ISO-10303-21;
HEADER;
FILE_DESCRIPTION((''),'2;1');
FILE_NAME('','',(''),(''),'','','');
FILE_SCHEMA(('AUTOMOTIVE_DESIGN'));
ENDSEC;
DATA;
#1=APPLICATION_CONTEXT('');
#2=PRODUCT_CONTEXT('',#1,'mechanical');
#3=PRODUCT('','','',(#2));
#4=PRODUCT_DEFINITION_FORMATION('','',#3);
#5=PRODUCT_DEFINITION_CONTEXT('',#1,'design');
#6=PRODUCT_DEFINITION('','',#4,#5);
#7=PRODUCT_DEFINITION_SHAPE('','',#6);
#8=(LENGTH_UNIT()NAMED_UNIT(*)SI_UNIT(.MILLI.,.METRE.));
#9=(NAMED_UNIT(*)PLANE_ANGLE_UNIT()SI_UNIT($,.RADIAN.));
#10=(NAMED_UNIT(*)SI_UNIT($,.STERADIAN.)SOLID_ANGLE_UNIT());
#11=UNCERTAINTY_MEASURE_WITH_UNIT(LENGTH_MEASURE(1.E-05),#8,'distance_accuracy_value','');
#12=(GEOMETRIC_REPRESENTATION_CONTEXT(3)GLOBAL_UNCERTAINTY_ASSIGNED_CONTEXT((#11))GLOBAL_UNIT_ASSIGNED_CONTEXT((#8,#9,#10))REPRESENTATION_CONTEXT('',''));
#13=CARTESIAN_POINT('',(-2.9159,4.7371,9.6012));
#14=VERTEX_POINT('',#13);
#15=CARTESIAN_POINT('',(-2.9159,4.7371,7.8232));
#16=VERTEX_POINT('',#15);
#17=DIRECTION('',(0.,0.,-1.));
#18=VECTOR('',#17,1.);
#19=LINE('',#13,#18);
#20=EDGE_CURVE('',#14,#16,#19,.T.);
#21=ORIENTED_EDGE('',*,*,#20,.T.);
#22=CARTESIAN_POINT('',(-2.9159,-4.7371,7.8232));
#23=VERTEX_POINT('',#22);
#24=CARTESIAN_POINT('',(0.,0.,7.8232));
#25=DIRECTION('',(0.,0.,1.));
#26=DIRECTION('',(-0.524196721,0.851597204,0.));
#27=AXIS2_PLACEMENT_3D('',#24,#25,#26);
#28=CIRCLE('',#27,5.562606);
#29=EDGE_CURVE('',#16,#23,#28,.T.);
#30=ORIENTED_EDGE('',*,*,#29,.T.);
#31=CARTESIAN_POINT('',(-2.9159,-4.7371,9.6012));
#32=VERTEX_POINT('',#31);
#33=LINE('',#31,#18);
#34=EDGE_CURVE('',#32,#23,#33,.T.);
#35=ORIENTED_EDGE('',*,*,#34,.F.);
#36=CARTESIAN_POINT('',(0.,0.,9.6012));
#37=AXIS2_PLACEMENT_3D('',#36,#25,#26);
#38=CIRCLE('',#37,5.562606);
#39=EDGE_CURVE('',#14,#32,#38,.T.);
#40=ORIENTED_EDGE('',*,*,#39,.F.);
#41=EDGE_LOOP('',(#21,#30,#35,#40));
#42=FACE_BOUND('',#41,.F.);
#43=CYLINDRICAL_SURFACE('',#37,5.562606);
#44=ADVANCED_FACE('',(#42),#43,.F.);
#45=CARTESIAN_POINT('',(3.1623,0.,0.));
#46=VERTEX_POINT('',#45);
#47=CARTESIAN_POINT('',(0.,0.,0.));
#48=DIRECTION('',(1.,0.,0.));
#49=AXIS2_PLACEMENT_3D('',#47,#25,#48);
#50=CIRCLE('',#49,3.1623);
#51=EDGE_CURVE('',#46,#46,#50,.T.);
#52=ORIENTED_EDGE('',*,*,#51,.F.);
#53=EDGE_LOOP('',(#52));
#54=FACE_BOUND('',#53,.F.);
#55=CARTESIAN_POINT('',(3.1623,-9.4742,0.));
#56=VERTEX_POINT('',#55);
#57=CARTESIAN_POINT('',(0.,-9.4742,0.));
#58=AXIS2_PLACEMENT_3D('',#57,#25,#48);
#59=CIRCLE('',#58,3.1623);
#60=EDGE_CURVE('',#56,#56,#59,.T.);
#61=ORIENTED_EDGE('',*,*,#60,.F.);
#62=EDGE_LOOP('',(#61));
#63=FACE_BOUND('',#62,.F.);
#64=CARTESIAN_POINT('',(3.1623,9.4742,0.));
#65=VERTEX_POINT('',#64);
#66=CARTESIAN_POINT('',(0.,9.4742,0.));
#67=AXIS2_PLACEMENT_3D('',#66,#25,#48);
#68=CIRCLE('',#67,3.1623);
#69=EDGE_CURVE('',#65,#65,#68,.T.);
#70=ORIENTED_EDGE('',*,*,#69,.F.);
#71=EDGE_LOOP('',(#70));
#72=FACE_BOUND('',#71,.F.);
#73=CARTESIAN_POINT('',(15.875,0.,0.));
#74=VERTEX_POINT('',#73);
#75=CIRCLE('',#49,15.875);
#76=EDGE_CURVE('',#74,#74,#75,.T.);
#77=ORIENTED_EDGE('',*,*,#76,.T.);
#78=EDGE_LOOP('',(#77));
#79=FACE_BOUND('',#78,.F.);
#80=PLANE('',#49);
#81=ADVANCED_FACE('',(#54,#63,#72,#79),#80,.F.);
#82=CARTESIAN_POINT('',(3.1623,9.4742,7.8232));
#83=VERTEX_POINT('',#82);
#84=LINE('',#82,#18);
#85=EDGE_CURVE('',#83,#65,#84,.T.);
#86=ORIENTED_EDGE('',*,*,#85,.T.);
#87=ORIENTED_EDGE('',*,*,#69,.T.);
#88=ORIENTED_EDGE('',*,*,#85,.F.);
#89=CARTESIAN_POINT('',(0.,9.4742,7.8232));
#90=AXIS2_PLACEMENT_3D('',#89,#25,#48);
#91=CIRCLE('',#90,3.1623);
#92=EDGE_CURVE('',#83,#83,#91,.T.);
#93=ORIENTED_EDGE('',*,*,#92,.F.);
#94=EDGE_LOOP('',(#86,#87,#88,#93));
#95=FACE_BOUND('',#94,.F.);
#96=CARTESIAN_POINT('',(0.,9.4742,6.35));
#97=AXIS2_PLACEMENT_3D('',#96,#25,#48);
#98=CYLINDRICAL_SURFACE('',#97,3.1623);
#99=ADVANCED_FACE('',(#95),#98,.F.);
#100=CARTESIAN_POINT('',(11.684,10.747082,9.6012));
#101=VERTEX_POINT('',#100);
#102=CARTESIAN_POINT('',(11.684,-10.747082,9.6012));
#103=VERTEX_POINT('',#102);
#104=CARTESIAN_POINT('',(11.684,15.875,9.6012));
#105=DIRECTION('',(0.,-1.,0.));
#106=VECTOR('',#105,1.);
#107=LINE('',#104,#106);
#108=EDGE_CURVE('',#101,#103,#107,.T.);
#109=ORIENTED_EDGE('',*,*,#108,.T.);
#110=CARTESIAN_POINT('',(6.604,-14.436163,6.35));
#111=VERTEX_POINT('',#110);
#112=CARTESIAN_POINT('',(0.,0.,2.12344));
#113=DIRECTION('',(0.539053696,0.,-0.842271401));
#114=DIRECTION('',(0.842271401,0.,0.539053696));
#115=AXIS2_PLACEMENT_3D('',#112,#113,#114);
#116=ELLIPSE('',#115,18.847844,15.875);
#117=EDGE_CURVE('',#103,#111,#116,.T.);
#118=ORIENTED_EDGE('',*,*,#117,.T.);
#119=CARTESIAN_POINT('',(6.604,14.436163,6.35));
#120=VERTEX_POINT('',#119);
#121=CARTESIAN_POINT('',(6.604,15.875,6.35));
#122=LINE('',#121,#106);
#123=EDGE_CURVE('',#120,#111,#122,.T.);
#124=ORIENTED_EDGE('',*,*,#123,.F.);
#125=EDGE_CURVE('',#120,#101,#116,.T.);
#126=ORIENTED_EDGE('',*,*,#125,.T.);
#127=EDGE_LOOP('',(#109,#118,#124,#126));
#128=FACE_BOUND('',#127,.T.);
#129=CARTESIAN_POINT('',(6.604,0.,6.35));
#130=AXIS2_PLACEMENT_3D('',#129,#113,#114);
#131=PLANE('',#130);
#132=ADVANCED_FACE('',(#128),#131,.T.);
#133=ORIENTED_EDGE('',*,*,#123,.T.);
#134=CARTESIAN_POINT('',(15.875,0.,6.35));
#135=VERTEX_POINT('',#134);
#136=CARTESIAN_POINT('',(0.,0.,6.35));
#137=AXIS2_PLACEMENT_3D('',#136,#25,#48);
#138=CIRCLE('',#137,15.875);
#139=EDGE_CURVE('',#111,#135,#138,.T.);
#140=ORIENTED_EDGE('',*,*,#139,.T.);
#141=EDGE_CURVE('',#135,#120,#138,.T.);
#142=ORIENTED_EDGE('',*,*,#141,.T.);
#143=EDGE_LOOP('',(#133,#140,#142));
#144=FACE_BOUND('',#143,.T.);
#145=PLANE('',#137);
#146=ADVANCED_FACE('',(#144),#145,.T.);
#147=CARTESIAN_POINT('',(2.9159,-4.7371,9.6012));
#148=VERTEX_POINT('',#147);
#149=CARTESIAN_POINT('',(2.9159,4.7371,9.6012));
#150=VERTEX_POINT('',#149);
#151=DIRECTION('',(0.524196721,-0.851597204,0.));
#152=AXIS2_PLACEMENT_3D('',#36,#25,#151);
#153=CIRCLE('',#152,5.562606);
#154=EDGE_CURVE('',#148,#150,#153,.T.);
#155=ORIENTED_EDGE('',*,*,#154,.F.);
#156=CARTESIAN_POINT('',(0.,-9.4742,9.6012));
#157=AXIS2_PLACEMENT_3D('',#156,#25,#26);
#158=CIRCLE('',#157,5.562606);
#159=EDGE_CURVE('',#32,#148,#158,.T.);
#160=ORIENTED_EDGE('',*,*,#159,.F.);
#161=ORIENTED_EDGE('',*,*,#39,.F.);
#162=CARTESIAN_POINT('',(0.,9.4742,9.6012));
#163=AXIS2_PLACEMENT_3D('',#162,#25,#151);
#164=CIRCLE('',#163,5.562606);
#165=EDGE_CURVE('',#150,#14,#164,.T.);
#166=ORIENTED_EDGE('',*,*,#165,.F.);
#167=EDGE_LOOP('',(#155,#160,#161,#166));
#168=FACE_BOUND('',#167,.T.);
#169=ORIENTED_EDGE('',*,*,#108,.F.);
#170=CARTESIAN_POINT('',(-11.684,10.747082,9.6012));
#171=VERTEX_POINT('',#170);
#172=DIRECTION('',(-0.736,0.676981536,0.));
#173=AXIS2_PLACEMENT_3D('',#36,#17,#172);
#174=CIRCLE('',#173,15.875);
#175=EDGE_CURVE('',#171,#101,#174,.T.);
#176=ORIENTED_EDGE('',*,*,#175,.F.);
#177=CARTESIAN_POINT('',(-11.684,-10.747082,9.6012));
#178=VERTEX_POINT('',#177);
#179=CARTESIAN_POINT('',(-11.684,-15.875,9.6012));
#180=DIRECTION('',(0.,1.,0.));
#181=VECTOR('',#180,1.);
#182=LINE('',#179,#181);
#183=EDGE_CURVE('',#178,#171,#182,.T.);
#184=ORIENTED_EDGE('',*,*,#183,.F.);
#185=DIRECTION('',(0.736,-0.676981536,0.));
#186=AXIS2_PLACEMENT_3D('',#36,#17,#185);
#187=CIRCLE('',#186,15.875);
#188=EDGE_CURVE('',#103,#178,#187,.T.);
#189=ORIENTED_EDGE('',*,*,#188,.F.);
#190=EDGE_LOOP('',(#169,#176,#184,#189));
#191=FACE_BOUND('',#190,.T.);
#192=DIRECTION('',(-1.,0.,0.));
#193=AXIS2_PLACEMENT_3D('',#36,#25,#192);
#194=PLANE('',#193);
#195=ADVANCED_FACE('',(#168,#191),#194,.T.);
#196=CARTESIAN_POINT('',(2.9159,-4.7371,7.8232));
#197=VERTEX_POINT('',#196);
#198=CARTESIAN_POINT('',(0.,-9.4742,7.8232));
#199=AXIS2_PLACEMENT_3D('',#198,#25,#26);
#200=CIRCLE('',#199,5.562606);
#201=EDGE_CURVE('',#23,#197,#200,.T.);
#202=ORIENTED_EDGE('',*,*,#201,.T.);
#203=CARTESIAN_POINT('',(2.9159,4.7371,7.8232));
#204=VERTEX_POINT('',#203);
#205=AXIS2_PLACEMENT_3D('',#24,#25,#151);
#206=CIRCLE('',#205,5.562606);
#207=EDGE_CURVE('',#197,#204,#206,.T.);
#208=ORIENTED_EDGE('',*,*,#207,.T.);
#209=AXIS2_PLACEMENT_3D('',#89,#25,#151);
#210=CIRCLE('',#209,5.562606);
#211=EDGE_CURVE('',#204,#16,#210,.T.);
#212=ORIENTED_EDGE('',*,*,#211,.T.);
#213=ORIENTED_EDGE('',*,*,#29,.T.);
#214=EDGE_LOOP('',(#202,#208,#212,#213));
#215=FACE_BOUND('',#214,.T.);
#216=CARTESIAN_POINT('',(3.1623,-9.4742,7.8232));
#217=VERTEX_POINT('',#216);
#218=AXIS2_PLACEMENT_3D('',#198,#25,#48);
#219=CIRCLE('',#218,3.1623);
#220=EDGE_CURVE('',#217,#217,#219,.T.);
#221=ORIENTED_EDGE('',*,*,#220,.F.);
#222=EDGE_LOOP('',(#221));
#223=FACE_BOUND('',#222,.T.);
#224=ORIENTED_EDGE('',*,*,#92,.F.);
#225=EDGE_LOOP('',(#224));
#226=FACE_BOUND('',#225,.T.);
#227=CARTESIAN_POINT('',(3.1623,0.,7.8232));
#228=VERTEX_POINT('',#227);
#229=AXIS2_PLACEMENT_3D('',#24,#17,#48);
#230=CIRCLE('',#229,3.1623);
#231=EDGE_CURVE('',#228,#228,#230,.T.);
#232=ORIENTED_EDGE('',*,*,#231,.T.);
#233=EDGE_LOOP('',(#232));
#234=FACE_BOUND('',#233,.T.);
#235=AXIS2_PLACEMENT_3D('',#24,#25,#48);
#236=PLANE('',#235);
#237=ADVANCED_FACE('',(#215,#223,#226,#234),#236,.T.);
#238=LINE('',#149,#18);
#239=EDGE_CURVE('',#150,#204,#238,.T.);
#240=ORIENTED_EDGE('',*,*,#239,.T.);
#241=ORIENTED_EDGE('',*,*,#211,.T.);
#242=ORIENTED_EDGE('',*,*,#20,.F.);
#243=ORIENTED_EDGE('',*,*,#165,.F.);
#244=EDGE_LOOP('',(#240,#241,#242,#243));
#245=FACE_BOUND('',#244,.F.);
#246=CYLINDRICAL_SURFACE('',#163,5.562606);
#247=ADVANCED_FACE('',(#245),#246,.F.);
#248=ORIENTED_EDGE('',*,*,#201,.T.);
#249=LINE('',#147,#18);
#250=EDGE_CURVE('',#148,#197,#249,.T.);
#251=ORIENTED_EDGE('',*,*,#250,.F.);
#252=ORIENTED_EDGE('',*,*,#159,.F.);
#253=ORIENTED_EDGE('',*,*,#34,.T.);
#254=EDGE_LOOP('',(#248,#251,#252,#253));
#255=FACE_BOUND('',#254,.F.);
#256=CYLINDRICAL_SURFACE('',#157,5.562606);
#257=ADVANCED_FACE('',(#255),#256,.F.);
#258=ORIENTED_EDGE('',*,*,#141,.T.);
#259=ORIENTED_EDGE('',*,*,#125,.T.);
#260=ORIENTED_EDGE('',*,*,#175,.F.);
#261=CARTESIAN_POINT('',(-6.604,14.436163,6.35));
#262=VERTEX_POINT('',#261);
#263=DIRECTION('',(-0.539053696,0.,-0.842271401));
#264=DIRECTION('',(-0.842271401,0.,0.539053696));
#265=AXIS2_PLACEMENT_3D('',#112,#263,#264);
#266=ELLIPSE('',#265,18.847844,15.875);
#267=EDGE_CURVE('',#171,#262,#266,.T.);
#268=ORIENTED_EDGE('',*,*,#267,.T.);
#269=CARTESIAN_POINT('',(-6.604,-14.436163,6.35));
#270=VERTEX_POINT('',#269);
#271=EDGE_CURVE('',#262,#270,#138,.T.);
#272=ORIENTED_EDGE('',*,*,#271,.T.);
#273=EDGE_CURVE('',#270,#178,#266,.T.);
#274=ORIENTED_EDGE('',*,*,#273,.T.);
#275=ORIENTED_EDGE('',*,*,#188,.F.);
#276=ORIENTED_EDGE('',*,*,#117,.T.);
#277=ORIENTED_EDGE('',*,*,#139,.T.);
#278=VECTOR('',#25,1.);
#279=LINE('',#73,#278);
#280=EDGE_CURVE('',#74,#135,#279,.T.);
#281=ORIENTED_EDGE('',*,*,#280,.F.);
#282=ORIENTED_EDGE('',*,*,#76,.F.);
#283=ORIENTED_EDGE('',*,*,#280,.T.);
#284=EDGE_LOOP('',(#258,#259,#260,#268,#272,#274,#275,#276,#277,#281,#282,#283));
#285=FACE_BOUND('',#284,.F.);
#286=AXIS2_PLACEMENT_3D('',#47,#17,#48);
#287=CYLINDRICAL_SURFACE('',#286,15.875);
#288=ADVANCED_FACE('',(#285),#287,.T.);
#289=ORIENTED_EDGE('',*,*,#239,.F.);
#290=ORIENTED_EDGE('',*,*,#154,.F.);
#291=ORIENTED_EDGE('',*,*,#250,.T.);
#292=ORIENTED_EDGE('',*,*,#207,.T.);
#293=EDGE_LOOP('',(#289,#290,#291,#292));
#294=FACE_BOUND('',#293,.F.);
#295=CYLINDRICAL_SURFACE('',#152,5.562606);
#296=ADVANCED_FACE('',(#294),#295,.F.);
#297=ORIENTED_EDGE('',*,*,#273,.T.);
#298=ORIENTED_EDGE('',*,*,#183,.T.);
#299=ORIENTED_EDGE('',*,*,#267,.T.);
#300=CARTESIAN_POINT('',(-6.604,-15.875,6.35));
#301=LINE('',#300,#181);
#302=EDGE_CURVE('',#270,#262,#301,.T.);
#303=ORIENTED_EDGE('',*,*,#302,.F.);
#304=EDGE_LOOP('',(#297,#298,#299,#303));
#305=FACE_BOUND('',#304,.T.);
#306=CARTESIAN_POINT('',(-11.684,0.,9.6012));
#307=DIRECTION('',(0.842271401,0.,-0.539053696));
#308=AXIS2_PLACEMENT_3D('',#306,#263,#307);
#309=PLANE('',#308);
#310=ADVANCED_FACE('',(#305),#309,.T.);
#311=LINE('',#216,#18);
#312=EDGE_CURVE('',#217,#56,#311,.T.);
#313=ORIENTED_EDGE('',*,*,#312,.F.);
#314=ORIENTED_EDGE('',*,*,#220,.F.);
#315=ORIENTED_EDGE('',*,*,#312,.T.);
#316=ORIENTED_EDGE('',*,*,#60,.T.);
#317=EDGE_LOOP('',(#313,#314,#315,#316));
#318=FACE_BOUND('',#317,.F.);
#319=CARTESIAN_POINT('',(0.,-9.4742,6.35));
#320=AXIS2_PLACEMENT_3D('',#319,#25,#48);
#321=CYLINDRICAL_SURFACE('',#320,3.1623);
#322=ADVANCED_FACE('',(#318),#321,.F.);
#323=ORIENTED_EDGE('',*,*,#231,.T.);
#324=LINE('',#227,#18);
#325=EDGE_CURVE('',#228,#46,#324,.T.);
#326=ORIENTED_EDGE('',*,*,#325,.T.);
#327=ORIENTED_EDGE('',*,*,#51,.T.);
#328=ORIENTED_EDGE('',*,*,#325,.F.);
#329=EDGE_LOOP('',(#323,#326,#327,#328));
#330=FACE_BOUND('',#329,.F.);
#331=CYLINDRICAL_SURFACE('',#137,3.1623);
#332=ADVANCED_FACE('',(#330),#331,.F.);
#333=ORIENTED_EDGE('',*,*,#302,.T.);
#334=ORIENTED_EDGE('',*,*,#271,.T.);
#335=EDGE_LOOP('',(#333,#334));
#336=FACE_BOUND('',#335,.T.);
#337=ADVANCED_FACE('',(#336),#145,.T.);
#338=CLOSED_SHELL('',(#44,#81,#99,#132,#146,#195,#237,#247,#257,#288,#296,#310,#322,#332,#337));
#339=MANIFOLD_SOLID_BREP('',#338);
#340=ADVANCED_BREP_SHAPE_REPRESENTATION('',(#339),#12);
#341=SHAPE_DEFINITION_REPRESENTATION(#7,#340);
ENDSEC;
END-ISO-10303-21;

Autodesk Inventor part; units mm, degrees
ref_plane "YZ Plane" through (0, 0, 0) normal (1, 0, 0) x (0, 1, 0)
ref_plane "XZ Plane" through (0, 0, 0) normal (0, 1, 0) x (-1, 0, 0)
ref_plane "XY Plane" through (0, 0, 0) normal (0, 0, 1) x (1, 0, 0)
sketch "Sketch1" plane through (0, 0, 0) normal (0, 0, 1) x (1, 0, 0)
  circle A0 centre (0, 0) radius 15.875
  dimension "d0" = 31.75
extrude "Extrusion1" add sketch "Sketch1" along normal blind 6.35
sketch "Sketch2" plane through (0, 0, 0) normal (0, 1, 0) x (-1, 0, 0)
  line L0 (15.875, 6.35) -> (-15.875, 6.35) projected
  line L1 (0, 6.35) -> (-6.604, 6.35)
  line L2 (0, 6.35) -> (6.604, 6.35)
  line L3 (0, 9.6012) -> (-11.684, 9.6012)
  line L4 (0, 9.6012) -> (11.684, 9.6012)
  line L5 (11.684, 9.6012) -> (6.604, 6.35)
  line L6 (-6.604, 6.35) -> (-11.684, 9.6012)
  line L7 (0, 6.35) -> (0, 9.6012)
  point P0 (0, 0)
  dimension "d8" = 13.208
  dimension "d9" = 3.2512
  dimension "d10" = 23.368
  dimension "d29" = 11.684
  dimension "d30" = 6.604
extrude "Extrusion2" add sketch "Sketch2" along normal mid plane 31.75
sketch "Sketch3" plane through (-11.684, 15.875, 9.6012) normal (0, 0, 1) x (1, 0, 0)
  circle A0 centre (11.684, -15.875) radius 15.875
  line L0 (0, -31.75) -> (0, 0) projected
  circle A1 centre (11.684, -15.875) radius 19.7112
extrude "Extrusion3" cut sketch "Sketch3" against normal blind 3.2512 contours A0 L0 A1 | A0 L0 A1
sketch "Sketch4" plane through (0, 0, 6.35) normal (0, 0, 1) x (1, 0, 0)
  circle A0 centre (0, 0) radius 3.1623
  circle A1 centre (0, 9.4742) radius 3.1623
  circle A2 centre (0, -9.4742) radius 3.1623
  dimension "d15" = 6.3246
  dimension "d16" = 6.3246
  dimension "d17" = 6.3246
  dimension "d18" = 9.4742
  dimension "d19" = 9.4742
extrude "Extrusion4" cut sketch "Sketch4" along normal through all both and the other way through all
sketch "Sketch5" plane through (0, 0, 9.6012) normal (0, 0, 1) x (1, 0, 0)
  circle A0 centre (0, 9.4742) radius 3.1623 projected
  arc A1 (2.9159, 4.7371) -> (-2.9159, 4.7371) centre (0, 9.4742) ccw
  circle A2 centre (0, -9.4742) radius 3.1623 projected
  arc A3 (-2.9159, -4.7371) -> (2.9159, -4.7371) centre (0, -9.4742) ccw
  arc A4 (-2.9159, 4.7371) -> (-2.9159, -4.7371) centre (0, 0) ccw
  arc A5 (2.9159, -4.7371) -> (2.9159, 4.7371) centre (0, 0) ccw
  dimension "d23" = 11.1252
  dimension "d24" = 11.1252
extrude "Extrusion5" cut sketch "Sketch5" against normal blind 1.778
properties part number "hockey puck"
